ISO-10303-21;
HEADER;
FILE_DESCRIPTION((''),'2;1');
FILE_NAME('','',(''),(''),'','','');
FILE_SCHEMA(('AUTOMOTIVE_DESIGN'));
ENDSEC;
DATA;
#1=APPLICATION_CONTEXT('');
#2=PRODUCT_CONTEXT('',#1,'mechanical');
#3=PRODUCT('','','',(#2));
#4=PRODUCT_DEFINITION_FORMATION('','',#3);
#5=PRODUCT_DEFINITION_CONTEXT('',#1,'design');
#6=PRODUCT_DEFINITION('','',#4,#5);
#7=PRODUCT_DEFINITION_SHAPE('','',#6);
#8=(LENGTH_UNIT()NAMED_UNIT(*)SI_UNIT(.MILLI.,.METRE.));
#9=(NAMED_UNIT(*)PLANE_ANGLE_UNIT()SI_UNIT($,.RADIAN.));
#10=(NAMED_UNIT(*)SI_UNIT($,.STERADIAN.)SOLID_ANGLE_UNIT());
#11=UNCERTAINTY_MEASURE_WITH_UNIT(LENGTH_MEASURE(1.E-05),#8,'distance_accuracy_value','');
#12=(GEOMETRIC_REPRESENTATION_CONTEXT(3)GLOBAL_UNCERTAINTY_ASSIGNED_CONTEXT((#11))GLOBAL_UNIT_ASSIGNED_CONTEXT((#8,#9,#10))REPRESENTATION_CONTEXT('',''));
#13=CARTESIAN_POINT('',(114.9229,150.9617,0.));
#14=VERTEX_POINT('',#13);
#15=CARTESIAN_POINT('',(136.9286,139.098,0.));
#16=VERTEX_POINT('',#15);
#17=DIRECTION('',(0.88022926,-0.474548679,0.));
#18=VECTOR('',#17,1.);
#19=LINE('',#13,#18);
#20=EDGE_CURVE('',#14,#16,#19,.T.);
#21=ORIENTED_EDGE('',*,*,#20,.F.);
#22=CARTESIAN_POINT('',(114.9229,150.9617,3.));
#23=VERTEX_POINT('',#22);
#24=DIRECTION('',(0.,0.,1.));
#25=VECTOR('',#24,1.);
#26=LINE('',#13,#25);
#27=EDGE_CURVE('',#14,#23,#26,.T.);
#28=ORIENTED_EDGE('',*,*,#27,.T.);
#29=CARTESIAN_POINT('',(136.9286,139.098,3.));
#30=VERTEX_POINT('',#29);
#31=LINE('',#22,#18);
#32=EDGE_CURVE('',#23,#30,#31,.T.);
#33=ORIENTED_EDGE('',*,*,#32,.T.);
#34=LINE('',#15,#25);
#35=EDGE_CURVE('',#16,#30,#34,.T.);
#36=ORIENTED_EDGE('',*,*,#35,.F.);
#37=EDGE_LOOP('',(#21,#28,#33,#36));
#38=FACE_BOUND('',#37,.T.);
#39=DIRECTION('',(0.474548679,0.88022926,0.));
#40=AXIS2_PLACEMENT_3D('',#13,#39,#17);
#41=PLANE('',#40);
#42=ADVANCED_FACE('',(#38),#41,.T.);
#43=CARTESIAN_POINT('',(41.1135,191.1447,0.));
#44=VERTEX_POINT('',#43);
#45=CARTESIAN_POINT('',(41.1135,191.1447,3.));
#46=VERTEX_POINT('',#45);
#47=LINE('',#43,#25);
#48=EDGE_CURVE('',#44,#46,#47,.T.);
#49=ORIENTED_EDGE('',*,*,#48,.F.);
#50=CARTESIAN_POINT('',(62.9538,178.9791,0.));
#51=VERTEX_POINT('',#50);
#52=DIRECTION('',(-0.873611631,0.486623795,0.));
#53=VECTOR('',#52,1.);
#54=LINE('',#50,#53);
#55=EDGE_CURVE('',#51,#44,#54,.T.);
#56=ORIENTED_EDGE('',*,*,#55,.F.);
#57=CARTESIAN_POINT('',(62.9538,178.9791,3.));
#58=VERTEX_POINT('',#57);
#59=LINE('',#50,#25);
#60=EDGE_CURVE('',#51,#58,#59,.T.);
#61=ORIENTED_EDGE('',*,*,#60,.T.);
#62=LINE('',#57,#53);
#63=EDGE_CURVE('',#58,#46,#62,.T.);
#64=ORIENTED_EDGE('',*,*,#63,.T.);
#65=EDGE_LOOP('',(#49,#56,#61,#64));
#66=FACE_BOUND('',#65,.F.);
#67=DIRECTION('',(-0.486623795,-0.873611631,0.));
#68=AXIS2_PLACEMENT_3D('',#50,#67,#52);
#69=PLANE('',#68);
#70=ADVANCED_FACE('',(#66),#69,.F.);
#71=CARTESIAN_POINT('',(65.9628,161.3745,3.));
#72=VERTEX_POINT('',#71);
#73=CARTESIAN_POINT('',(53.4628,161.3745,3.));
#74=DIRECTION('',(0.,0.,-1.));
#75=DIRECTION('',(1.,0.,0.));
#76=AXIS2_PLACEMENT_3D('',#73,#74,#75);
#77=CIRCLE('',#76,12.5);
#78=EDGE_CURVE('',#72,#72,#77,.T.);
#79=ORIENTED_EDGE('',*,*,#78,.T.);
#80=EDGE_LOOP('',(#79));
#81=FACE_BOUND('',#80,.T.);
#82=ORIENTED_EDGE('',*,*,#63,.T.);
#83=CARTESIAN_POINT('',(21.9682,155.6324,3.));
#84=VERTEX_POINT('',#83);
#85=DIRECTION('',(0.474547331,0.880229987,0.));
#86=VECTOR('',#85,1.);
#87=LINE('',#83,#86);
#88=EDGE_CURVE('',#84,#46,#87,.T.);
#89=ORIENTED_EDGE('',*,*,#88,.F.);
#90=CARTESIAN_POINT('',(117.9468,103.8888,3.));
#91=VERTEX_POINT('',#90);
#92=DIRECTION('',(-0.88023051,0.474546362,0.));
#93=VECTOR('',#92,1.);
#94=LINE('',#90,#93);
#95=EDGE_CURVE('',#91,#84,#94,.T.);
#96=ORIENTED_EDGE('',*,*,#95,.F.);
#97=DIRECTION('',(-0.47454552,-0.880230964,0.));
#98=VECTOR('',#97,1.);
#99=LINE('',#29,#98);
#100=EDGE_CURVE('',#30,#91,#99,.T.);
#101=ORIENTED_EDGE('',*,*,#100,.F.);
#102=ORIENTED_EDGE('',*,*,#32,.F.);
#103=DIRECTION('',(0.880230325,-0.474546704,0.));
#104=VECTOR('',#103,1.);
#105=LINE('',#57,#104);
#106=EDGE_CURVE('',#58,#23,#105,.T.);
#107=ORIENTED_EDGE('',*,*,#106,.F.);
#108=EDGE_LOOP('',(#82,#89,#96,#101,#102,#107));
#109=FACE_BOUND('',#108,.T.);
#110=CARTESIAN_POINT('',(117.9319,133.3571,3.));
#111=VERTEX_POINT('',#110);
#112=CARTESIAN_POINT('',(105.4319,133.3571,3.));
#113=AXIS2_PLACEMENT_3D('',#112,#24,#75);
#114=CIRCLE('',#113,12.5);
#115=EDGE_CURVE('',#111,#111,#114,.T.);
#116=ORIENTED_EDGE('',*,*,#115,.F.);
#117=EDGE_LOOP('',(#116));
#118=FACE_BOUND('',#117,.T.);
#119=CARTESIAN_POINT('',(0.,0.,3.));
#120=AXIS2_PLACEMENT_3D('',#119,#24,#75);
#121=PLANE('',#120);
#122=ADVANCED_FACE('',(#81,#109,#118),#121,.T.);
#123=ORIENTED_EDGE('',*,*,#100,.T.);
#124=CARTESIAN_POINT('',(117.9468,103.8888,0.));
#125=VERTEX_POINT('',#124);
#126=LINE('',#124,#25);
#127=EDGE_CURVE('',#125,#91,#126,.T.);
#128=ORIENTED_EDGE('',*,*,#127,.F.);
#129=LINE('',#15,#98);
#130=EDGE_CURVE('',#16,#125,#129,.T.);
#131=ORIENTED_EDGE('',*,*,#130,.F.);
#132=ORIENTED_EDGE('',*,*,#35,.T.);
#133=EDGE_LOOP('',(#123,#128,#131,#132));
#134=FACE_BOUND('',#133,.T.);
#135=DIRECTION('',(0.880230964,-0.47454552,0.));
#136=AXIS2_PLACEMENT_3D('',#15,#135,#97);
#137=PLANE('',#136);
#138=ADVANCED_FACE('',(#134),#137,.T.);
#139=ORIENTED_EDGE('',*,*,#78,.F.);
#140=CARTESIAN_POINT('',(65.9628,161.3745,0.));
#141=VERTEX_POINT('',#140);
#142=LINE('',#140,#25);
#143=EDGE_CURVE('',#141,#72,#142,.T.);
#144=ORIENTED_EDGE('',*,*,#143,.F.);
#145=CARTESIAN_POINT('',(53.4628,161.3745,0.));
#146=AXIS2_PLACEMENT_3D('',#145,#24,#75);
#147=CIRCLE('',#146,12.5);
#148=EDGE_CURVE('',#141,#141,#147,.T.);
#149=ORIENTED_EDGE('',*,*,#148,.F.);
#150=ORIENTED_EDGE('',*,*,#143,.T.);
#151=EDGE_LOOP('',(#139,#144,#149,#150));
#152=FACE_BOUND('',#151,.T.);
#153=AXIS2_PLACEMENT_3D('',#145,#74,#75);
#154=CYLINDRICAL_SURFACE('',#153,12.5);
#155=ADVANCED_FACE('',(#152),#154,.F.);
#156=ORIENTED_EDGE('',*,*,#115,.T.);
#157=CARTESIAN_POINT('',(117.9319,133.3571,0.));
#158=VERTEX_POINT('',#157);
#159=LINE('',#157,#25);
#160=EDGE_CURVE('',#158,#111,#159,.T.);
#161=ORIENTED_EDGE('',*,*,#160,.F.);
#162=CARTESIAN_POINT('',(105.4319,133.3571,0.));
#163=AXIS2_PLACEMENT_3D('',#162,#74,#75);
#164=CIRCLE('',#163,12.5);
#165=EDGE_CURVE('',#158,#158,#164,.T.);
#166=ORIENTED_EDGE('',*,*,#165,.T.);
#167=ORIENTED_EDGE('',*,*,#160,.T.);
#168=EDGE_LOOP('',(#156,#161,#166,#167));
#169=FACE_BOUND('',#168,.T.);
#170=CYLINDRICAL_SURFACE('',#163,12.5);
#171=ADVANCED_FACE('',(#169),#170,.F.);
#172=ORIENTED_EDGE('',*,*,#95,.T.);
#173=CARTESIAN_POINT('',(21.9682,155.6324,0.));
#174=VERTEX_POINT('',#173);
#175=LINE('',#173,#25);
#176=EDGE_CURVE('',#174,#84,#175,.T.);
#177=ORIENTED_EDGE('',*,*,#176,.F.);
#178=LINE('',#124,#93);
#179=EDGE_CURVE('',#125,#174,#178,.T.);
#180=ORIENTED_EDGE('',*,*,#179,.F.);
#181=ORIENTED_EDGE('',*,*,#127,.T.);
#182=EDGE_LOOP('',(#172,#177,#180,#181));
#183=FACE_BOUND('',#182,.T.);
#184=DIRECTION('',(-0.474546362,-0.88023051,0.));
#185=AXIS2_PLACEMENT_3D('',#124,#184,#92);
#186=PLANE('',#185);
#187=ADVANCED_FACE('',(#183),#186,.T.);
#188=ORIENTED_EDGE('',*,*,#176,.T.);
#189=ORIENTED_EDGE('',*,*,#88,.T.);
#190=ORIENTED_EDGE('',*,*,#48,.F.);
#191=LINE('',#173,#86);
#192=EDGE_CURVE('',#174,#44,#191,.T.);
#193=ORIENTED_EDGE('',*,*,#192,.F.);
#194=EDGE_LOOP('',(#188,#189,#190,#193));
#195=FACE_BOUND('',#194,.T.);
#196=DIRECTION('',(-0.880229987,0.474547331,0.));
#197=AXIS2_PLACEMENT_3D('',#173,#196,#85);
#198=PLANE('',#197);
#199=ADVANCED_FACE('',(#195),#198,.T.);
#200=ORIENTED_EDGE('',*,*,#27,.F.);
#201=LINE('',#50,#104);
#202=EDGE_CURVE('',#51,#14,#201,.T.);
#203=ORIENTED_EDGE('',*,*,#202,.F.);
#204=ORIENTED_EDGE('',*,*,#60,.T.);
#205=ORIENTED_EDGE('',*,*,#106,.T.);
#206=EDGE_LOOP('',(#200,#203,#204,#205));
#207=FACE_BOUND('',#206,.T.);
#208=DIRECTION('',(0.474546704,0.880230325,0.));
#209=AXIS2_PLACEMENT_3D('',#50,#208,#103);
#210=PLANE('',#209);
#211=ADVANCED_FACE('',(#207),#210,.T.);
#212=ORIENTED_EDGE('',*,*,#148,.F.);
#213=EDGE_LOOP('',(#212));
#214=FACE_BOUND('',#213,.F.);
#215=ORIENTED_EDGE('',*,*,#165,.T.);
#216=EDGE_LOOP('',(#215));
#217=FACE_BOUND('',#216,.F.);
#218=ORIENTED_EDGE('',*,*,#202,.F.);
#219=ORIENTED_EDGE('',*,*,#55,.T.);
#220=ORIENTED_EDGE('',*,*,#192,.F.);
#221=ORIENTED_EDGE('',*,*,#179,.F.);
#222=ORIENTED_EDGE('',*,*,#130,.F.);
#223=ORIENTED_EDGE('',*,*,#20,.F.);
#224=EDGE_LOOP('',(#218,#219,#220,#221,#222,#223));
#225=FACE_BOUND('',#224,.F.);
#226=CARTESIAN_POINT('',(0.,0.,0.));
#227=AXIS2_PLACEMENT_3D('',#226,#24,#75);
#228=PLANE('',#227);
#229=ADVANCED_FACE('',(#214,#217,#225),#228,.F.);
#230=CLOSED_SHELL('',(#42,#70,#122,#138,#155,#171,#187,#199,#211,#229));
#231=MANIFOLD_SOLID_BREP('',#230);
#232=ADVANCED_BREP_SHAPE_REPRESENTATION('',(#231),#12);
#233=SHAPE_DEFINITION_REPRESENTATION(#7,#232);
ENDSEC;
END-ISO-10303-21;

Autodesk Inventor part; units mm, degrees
ref_plane "YZ Plane" through (0, 0, 0) normal (1, 0, 0) x (0, 1, 0)
ref_plane "XZ Plane" through (0, 0, 0) normal (0, 1, 0) x (-1, 0, 0)
ref_plane "XY Plane" through (0, 0, 0) normal (0, 0, 1) x (1, 0, 0)
sketch "Sketch1" plane through (0, 0, 0) normal (0, 0, 1) x (1, 0, 0)
  circle A0 centre (105.4319, 133.3571) radius 12.5
  circle A1 centre (53.4628, 161.3745) radius 12.5
  line L0 (53.4628, 161.3745) -> (105.4319, 133.3571)
  line L1 (105.4319, 133.3571) -> (114.9229, 150.9617)
  line L2 (53.4628, 161.3745) -> (62.9538, 178.9791)
  line L3 (62.9538, 178.9791) -> (114.9229, 150.9617)
  line L4 (114.9229, 150.9617) -> (136.9286, 139.098)
  line L5 (136.9286, 139.098) -> (117.9468, 103.8888)
  line L6 (117.9468, 103.8888) -> (21.9682, 155.6324)
  line L7 (21.9682, 155.6324) -> (41.1135, 191.1447)
  line L8 (62.9538, 178.9791) -> (41.1135, 191.1447)
  point P0 (0, 0)
  point P1 (0, 0)
  dimension "d25" = 25
  dimension "d26" = 170
  dimension "d27" = 25
  dimension "d38" = 161.3745
  dimension "d39" = 53.4628
  dimension "d40" = 105.4319
  dimension "d41" = 133.3571
  dimension "d43" = 90
  dimension "d44" = 90
  dimension "d46" = 20
  dimension "d47" = 20
  dimension "d48" = 25
  dimension "d49" = 40
  dimension "d50" = 90
  dimension "d51" = 90
  dimension "d52" = 90
  dimension "d54" = 25
extrude "Extrusion1" add sketch "Sketch1" along normal blind 3 contours A0 L1 L4 L5 L6 L7 L8 L2 A1 L0 | A0 L0 A1 L2 L3 L1
properties part number "asfaleia_koxlia"
